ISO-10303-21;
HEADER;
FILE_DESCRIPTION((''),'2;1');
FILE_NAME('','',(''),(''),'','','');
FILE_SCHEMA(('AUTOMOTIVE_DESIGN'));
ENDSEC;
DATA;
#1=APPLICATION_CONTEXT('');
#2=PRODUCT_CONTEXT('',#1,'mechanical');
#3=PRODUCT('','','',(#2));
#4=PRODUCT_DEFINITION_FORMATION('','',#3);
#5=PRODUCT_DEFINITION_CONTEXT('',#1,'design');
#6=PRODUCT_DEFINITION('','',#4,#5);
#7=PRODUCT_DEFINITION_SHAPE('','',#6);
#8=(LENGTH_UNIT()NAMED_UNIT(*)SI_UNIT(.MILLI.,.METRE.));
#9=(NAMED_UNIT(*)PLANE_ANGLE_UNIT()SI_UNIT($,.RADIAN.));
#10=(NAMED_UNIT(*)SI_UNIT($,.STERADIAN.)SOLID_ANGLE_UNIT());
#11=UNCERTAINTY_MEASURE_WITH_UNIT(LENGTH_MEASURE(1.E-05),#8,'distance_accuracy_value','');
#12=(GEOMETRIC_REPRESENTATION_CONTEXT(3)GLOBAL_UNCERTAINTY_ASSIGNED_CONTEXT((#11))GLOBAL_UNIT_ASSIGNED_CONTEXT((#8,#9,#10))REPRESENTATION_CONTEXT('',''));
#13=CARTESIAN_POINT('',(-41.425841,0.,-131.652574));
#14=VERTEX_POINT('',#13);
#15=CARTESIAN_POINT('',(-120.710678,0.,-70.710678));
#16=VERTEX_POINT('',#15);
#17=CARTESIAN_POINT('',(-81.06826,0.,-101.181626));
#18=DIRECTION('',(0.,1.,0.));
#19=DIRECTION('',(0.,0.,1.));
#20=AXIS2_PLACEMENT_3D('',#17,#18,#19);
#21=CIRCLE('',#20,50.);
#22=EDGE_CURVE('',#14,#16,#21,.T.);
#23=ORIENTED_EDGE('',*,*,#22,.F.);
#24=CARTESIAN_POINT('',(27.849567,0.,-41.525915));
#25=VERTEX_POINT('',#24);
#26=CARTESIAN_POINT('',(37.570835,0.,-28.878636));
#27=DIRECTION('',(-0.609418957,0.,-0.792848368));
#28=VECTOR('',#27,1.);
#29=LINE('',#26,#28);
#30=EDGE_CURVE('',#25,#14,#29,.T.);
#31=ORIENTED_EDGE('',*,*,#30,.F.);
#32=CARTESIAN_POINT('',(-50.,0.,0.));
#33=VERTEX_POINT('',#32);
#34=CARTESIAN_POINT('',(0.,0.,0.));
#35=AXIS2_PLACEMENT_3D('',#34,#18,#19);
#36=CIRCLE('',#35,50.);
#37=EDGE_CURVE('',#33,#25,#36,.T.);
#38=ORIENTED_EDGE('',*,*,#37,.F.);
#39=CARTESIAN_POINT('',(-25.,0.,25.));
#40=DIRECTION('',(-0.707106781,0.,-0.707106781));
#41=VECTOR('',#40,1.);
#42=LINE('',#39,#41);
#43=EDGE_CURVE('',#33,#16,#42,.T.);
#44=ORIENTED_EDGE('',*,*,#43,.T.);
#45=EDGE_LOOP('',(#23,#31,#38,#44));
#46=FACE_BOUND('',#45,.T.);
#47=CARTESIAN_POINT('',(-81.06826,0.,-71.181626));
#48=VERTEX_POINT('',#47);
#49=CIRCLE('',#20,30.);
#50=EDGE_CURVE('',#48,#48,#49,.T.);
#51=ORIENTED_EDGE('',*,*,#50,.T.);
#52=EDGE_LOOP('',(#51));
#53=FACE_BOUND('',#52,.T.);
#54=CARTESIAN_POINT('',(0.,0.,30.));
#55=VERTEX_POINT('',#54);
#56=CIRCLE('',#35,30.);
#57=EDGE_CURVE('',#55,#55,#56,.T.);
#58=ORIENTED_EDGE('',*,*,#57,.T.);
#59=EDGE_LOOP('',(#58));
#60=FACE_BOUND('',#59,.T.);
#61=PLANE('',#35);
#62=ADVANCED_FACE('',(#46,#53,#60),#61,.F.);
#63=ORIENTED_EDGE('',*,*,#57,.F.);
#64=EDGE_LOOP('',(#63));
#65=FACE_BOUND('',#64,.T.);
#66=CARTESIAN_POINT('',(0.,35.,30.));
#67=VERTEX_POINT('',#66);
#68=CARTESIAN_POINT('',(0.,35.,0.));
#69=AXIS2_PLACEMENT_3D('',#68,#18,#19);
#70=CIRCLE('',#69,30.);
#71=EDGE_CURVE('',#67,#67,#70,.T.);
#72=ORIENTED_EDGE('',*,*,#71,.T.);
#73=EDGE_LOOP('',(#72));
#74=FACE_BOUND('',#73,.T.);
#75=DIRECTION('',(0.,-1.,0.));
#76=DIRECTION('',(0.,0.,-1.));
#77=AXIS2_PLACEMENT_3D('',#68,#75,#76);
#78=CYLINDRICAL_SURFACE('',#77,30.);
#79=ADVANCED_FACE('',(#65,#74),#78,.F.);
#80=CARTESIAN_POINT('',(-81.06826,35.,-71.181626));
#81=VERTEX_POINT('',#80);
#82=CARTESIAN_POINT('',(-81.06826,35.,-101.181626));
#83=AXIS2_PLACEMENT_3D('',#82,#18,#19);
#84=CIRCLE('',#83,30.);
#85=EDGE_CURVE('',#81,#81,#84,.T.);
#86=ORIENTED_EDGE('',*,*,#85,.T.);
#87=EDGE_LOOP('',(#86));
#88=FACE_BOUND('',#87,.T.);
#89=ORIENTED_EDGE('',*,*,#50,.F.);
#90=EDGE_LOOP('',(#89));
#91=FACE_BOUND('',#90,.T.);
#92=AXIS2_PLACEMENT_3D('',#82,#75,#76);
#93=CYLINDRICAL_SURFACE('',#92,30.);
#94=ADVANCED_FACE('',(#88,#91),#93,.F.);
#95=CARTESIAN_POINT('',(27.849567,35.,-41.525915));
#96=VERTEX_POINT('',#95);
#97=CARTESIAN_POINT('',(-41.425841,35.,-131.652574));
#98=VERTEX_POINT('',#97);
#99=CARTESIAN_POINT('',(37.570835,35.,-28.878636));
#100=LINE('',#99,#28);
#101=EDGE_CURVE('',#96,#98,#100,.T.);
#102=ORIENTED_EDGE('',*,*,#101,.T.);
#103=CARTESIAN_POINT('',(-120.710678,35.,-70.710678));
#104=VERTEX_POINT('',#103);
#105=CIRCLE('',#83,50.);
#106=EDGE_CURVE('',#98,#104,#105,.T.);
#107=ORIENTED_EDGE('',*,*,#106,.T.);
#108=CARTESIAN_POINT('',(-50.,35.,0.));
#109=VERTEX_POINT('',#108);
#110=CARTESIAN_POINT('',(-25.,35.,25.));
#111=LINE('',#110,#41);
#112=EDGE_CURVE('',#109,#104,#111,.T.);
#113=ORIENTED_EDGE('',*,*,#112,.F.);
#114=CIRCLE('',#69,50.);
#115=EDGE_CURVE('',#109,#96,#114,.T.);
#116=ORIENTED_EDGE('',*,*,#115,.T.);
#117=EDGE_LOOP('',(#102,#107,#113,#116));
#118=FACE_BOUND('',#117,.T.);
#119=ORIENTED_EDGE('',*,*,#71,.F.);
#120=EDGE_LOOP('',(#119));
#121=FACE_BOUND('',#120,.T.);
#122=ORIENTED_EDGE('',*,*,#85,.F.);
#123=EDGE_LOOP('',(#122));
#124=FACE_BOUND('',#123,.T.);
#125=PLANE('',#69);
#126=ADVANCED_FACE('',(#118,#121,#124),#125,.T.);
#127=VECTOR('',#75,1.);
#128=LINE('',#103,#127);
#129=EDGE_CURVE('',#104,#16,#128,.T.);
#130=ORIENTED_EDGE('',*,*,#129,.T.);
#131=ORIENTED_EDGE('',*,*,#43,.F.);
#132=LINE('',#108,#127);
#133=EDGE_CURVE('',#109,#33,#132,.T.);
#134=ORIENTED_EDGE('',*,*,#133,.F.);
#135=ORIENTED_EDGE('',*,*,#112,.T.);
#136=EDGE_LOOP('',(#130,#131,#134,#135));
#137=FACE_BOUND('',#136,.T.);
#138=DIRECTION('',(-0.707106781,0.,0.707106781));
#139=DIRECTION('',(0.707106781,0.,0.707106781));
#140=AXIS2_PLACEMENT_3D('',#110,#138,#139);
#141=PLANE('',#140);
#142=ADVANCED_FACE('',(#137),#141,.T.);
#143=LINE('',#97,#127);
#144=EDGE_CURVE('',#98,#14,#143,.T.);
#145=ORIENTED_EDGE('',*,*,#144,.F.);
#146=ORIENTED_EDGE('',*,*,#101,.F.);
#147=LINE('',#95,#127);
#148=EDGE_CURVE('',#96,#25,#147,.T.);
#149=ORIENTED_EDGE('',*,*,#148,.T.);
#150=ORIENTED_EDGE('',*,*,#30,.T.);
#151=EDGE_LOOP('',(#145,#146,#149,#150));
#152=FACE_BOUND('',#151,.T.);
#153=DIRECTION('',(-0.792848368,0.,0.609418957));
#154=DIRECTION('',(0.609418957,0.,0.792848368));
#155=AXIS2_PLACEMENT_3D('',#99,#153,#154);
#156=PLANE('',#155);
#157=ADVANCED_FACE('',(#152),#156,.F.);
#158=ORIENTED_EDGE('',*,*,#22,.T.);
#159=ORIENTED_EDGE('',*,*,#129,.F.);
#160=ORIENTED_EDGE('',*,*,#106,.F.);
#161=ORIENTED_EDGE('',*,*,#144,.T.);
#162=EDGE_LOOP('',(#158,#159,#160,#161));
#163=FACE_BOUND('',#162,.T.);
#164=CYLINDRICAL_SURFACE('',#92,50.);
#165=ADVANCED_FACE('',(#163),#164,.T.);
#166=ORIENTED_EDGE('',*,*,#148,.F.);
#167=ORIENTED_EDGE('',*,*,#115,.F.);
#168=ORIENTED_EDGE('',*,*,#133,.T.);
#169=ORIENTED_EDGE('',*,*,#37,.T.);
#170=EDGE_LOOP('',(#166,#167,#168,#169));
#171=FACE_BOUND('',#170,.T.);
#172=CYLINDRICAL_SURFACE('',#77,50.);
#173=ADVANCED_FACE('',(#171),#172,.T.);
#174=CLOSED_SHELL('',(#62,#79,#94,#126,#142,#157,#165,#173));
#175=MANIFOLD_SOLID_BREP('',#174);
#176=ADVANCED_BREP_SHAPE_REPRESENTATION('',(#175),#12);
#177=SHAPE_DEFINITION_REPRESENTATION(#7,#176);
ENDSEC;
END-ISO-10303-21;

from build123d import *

# Parameters (mm, degrees)
SKETCH1_R           = 30
BOSS_EXTRUDE1_DEPTH = 35


with BuildPart() as part:
    # Sketch1 → Boss-Extrude1 (new body)
    with BuildSketch(Plane(origin=(0, 0, 0), x_dir=(1, 0, 0), z_dir=(0, 1, 0))):
        with BuildLine():
            Line((-111.539207578, 61.539207578), (-50, 0))
            ThreePointArc((-50, 0), (23.532123251, -44.116200826), (27.849567012, 41.525915008))
            Line((27.849567012, 41.525915008), (-41.425841319, 131.652573837))
            ThreePointArc((-41.425841319, 131.652573837), (-111.539207578, 140.824044377), (-120.710678119, 70.710678119))
            Line((-120.710678119, 70.710678119), (-111.539207578, 61.539207578))
        make_face()
        with Locations(Location((0, 0, 0), (0, 0, 270))):
            Circle(SKETCH1_R, mode=Mode.SUBTRACT)
        with Locations(Location((-81.068259719, 101.181625978, 0), (0, 0, 270))):
            Circle(SKETCH1_R, mode=Mode.SUBTRACT)
    extrude(amount=BOSS_EXTRUDE1_DEPTH)


solid = part.part
